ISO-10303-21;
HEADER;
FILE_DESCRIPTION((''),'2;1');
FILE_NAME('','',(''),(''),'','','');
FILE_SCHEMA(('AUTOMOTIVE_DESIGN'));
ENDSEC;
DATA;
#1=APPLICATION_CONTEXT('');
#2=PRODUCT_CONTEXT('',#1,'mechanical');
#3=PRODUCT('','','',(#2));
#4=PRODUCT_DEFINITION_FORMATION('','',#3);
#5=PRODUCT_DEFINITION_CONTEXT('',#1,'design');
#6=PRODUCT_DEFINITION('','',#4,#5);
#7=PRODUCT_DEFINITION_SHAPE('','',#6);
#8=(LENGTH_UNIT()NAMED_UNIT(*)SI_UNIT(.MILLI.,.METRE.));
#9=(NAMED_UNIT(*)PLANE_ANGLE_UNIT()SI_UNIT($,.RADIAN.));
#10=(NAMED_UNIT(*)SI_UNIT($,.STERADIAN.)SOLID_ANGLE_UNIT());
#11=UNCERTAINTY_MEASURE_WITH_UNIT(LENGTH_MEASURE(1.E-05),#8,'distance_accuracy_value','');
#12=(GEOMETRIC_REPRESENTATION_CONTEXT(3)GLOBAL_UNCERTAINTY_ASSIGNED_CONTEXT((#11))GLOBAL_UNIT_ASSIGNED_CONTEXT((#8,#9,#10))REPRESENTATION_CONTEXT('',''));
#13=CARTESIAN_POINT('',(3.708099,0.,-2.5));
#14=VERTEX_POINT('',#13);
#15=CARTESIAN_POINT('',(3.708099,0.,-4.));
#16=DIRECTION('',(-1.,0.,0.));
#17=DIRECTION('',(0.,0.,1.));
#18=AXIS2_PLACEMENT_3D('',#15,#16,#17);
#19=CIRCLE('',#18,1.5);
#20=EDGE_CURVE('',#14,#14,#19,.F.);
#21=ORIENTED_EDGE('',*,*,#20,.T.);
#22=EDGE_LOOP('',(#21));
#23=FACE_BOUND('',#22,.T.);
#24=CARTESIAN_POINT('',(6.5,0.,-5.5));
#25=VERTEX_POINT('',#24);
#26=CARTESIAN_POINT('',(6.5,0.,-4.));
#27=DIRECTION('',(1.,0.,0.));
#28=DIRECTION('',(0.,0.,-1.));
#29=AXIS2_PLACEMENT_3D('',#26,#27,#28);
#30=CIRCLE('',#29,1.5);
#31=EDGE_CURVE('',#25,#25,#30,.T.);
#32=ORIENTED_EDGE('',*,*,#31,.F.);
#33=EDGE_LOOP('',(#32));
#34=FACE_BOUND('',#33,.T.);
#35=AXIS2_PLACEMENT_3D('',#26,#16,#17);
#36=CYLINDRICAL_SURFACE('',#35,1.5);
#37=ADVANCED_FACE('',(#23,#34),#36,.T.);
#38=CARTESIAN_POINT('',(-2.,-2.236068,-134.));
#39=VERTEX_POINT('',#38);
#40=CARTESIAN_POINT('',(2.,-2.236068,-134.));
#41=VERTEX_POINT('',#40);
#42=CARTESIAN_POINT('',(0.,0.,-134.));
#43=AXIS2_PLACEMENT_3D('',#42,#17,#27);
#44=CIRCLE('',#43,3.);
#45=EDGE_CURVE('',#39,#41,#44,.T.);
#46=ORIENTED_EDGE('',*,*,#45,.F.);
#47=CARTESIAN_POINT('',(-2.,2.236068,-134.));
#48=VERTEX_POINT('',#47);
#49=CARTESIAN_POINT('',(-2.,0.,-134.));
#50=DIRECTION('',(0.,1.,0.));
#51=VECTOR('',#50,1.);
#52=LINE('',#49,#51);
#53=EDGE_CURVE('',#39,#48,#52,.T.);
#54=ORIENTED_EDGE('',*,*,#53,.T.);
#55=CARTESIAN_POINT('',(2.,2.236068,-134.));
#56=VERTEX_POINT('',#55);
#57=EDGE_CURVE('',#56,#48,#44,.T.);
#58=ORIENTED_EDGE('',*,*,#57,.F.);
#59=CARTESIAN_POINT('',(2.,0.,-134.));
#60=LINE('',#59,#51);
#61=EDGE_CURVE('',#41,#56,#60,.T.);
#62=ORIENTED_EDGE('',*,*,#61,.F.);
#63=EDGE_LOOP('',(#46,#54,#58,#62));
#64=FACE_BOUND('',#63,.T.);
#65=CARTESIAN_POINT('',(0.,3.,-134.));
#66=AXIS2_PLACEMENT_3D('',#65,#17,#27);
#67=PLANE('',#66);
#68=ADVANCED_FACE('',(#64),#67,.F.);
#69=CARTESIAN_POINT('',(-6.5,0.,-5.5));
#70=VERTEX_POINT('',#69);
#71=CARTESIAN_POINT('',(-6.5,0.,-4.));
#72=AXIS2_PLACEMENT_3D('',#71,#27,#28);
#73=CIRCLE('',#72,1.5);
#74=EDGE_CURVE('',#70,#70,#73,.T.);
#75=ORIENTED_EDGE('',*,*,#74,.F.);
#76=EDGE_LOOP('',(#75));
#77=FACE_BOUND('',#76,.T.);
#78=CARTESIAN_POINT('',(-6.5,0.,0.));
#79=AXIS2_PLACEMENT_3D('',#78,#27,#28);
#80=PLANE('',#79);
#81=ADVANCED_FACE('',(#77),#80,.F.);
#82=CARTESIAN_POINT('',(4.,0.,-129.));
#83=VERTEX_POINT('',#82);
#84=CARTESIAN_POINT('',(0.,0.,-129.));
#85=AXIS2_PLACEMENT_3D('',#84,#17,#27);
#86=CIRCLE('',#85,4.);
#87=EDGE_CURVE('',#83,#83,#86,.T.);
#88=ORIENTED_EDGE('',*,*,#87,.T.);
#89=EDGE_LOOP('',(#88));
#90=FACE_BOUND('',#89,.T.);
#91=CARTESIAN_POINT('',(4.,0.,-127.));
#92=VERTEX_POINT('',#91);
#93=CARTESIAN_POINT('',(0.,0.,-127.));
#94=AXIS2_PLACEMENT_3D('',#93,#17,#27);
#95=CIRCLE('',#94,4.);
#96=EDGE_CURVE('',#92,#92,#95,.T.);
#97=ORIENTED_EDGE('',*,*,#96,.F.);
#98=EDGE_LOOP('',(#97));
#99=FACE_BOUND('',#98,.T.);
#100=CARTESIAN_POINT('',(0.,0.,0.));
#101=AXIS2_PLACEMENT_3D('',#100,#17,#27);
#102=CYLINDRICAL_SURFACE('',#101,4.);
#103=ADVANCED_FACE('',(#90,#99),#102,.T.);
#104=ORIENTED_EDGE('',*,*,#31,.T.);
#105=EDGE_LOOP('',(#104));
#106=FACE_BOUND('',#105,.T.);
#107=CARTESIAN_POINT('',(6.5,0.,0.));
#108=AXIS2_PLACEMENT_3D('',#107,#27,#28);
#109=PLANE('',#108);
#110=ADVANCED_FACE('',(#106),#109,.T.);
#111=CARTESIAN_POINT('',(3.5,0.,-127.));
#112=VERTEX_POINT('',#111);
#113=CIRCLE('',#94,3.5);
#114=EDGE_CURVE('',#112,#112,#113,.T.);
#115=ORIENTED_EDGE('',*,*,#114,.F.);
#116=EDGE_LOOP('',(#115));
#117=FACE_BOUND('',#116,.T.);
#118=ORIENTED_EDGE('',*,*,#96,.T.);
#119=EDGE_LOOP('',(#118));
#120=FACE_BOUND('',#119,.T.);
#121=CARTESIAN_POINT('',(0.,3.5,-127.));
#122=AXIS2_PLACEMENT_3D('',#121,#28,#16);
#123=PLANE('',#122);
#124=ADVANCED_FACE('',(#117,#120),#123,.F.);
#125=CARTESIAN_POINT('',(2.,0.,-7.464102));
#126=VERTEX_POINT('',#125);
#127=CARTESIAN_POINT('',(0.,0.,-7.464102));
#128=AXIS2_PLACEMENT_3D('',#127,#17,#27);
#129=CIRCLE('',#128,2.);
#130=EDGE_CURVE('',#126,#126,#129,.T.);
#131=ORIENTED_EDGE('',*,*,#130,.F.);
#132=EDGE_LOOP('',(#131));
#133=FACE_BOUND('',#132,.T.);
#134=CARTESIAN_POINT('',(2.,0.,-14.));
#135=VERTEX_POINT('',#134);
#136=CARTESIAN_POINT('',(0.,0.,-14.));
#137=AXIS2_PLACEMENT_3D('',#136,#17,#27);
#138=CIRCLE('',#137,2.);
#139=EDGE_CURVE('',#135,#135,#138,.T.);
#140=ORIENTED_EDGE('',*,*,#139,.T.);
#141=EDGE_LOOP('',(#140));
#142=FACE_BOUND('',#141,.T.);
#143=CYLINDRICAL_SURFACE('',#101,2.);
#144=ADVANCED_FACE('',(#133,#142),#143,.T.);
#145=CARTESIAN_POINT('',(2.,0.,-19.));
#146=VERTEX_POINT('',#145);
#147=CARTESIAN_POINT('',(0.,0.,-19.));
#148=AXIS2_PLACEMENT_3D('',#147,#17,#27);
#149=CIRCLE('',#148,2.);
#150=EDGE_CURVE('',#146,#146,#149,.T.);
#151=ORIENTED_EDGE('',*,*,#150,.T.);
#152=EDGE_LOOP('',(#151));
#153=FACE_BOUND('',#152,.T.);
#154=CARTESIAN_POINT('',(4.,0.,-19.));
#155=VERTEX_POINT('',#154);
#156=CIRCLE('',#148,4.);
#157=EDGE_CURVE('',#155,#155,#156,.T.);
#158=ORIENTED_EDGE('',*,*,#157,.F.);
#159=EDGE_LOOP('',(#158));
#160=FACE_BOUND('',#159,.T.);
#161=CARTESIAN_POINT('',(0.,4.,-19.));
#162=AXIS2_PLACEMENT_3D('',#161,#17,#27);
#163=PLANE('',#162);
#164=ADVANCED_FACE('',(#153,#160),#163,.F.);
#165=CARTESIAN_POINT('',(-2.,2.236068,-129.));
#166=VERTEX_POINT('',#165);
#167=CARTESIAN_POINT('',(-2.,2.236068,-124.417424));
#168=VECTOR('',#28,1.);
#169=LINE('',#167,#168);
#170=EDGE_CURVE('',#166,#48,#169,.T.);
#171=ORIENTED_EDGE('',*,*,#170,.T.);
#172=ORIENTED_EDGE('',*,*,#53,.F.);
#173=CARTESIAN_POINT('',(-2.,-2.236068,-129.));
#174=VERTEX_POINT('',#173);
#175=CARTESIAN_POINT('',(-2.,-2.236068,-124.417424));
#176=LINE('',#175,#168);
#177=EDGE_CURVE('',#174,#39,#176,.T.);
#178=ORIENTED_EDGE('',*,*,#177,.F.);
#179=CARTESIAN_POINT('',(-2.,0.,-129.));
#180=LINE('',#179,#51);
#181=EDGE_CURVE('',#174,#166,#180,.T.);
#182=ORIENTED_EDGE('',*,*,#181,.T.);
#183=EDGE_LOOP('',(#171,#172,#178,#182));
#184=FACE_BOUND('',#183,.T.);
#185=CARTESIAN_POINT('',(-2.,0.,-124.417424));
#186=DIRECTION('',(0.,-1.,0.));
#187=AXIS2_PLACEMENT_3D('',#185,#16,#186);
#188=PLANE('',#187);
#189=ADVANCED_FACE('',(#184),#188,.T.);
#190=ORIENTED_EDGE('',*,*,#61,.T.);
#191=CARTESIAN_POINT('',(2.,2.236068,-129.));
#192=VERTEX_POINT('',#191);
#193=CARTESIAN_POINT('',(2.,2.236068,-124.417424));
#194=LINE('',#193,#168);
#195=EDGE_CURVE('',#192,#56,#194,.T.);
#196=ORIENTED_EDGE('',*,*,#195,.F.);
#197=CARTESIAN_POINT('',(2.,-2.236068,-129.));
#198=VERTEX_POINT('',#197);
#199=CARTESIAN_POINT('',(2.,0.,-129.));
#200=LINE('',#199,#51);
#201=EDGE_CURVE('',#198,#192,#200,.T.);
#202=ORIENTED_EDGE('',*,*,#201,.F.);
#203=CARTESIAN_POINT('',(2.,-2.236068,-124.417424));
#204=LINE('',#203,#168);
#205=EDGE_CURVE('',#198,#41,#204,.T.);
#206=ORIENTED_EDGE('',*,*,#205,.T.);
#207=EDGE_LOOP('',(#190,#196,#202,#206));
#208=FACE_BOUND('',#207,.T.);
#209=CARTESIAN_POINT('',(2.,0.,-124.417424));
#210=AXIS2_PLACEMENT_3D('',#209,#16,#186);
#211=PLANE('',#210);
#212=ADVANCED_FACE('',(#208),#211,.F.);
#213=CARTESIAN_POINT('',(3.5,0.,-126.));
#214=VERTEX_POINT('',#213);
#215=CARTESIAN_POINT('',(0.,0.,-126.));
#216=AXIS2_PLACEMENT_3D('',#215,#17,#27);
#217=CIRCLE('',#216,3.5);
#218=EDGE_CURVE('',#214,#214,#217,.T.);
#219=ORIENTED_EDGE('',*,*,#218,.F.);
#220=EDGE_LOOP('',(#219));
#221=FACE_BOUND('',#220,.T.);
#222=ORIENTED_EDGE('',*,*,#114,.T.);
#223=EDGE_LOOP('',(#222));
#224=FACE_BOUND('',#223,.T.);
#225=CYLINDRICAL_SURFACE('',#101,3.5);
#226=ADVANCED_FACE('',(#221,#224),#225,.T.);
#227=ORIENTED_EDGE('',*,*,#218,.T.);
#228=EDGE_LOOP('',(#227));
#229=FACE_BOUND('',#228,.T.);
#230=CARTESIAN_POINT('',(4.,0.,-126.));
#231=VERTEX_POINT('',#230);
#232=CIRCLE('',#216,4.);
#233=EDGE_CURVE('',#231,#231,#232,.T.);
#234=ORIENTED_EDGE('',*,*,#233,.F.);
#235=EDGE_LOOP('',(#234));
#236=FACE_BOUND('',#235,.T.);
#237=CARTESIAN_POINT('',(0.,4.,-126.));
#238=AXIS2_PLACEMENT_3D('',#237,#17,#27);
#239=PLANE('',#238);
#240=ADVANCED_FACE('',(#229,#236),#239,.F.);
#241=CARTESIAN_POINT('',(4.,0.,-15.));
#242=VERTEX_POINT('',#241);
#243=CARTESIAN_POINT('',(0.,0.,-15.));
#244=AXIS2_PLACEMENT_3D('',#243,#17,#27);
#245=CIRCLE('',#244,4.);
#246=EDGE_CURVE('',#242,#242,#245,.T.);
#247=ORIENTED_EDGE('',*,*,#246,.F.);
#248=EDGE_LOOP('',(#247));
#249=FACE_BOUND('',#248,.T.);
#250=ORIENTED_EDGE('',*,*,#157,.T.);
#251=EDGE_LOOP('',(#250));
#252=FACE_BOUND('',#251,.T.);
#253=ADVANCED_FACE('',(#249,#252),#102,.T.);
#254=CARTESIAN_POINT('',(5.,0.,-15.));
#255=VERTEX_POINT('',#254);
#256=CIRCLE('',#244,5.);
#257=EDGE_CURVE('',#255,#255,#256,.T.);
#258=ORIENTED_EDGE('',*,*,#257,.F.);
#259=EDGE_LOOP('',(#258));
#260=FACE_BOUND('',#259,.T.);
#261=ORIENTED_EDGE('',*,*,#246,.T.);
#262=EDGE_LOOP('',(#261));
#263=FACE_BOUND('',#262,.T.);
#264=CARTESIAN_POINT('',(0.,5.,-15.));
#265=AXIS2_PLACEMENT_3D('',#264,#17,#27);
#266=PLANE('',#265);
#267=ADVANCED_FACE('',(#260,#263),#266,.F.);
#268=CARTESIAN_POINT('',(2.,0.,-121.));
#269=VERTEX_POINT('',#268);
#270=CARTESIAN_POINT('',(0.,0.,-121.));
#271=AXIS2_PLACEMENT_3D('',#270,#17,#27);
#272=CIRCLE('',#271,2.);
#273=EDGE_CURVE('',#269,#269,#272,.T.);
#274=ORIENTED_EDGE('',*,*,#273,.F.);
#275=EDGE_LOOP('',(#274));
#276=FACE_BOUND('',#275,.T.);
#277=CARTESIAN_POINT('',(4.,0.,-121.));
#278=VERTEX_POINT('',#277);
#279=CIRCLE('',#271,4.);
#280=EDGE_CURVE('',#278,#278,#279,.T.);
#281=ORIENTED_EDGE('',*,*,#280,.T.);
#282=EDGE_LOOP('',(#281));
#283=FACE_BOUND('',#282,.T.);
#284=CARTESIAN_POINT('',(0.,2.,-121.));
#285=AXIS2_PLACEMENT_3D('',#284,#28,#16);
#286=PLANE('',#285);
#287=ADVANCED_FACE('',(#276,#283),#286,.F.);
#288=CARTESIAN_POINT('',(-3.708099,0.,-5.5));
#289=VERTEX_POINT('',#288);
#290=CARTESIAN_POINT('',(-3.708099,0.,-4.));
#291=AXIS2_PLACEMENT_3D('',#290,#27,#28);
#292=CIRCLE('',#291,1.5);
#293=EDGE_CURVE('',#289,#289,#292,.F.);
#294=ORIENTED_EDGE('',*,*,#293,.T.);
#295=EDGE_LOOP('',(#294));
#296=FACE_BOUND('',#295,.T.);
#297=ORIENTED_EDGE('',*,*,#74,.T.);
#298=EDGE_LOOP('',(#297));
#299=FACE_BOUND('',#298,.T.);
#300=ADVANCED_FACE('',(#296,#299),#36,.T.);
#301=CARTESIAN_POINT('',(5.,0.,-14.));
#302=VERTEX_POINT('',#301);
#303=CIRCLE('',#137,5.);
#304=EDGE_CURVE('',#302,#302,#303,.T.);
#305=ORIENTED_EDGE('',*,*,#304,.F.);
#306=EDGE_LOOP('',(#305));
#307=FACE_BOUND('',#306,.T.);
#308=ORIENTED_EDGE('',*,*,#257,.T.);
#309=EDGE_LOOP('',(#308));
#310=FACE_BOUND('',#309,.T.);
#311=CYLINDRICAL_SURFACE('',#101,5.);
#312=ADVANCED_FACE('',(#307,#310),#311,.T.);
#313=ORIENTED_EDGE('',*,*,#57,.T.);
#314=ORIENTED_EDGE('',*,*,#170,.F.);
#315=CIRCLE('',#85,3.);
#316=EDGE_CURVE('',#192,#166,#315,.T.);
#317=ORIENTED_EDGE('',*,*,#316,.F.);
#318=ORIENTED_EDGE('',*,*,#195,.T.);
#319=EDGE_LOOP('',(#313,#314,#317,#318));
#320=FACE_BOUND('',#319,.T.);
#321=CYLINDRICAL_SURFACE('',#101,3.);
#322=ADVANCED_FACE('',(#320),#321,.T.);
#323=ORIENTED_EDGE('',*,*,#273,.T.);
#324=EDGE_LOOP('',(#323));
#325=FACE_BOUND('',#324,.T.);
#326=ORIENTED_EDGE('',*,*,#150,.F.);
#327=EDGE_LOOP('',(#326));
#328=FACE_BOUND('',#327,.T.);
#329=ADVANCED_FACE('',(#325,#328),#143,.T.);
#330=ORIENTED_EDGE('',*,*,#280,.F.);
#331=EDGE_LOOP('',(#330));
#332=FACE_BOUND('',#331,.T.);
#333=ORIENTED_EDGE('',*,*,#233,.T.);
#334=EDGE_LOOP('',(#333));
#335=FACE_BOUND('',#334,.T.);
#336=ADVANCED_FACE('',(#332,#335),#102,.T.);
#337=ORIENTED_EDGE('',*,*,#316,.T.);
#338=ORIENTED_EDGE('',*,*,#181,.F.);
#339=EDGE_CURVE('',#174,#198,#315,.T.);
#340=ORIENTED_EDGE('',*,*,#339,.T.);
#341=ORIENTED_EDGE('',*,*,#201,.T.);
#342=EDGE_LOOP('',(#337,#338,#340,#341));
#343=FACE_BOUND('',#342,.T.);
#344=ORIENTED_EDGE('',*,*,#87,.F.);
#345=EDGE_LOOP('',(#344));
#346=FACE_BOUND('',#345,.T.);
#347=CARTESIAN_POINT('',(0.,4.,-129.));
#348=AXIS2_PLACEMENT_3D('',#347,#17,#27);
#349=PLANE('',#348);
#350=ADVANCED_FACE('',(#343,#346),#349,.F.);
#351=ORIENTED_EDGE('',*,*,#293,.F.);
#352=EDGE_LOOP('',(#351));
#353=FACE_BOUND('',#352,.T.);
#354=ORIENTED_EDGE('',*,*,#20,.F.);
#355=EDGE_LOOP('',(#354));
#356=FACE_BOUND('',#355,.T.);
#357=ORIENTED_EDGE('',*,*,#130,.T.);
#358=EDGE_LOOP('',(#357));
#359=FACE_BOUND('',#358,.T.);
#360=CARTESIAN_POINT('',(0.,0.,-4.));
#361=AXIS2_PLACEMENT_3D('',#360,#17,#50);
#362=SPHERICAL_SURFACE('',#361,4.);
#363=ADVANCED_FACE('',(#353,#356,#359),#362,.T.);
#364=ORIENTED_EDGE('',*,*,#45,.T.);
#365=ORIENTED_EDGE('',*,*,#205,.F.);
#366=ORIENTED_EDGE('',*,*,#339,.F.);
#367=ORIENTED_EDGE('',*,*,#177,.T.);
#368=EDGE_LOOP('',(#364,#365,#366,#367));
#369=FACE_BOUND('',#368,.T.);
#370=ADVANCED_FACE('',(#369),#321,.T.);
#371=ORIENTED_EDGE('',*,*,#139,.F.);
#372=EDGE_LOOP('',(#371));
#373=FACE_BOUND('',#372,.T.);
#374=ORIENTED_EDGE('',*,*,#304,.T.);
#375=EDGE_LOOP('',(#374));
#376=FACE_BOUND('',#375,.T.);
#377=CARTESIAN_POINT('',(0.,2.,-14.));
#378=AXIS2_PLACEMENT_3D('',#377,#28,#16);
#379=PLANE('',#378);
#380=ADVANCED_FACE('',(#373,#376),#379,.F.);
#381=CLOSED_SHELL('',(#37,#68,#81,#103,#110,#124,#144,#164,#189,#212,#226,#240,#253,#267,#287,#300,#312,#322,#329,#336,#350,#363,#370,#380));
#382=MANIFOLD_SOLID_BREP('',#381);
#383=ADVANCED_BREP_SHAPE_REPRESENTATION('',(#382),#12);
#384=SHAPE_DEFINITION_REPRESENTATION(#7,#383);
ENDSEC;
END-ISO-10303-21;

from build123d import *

# Parameters (mm, degrees)
CUT_EXTRUDE1_DEPTH  = 5
SKETCH3_R           = 1.5
BOSS_EXTRUDE1_DEPTH = 6.5


with BuildPart() as part:
    # Sketch1 → Revolve1 (revolve)
    with BuildSketch(Plane(origin=(0, 0, 0), x_dir=(0, 0, -1), z_dir=(1, 0, 0))):
        with BuildLine():
            Line((7.464101615, 2), (14, 2))
            Line((14, 2), (14, 5))
            Line((14, 5), (15, 5))
            Line((15, 5), (15, 4))
            Line((15, 4), (19, 4))
            Line((19, 4), (19, 2))
            Line((19, 2), (121, 2))
            Line((121, 2), (121, 4))
            Line((121, 4), (126, 4))
            Line((126, 4), (126, 3.5))
            Line((126, 3.5), (127, 3.5))
            Line((127, 3.5), (127, 4))
            Line((127, 4), (129, 4))
            Line((129, 4), (129, 3))
            Line((129, 3), (134, 3))
            Line((134, 3), (134, 0))
            Line((134, 0), (0, 0))
            ThreePointArc((0, 0), (2.96472382, 3.863703305), (7.464101615, 2))
        make_face()
    revolve(axis=Axis((0, 0, 0), (0, 0, -1)))

    # Sketch2 → Cut-Extrude1 (cut)
    with BuildSketch(Plane(origin=(0, 0, -134), x_dir=(-1, 0, 0), z_dir=(0, 0, -1))):
        with BuildLine():
            ThreePointArc((-2, 2.236067977), (-3, 0), (-2, -2.236067977))
            Line((-2, -2.236067977), (-2, 2.236067977))
        make_face()
        with BuildLine():
            Line((2, 2.236067977), (2, -2.236067977))
            ThreePointArc((2, -2.236067977), (2.738612788, -1.224744871), (3, 0))
            ThreePointArc((3, 0), (2.738612788, 1.224744871), (2, 2.236067977))
        make_face()
    extrude(amount=-CUT_EXTRUDE1_DEPTH, mode=Mode.SUBTRACT)

    # Sketch3 → Boss-Extrude1 (add, symmetric)
    with BuildSketch(Plane(origin=(0, 0, 0), x_dir=(0, 0, -1), z_dir=(1, 0, 0))):
        with Locations((4, 0)):
            Circle(SKETCH3_R)
    extrude(amount=BOSS_EXTRUDE1_DEPTH, both=True)


solid = part.part
